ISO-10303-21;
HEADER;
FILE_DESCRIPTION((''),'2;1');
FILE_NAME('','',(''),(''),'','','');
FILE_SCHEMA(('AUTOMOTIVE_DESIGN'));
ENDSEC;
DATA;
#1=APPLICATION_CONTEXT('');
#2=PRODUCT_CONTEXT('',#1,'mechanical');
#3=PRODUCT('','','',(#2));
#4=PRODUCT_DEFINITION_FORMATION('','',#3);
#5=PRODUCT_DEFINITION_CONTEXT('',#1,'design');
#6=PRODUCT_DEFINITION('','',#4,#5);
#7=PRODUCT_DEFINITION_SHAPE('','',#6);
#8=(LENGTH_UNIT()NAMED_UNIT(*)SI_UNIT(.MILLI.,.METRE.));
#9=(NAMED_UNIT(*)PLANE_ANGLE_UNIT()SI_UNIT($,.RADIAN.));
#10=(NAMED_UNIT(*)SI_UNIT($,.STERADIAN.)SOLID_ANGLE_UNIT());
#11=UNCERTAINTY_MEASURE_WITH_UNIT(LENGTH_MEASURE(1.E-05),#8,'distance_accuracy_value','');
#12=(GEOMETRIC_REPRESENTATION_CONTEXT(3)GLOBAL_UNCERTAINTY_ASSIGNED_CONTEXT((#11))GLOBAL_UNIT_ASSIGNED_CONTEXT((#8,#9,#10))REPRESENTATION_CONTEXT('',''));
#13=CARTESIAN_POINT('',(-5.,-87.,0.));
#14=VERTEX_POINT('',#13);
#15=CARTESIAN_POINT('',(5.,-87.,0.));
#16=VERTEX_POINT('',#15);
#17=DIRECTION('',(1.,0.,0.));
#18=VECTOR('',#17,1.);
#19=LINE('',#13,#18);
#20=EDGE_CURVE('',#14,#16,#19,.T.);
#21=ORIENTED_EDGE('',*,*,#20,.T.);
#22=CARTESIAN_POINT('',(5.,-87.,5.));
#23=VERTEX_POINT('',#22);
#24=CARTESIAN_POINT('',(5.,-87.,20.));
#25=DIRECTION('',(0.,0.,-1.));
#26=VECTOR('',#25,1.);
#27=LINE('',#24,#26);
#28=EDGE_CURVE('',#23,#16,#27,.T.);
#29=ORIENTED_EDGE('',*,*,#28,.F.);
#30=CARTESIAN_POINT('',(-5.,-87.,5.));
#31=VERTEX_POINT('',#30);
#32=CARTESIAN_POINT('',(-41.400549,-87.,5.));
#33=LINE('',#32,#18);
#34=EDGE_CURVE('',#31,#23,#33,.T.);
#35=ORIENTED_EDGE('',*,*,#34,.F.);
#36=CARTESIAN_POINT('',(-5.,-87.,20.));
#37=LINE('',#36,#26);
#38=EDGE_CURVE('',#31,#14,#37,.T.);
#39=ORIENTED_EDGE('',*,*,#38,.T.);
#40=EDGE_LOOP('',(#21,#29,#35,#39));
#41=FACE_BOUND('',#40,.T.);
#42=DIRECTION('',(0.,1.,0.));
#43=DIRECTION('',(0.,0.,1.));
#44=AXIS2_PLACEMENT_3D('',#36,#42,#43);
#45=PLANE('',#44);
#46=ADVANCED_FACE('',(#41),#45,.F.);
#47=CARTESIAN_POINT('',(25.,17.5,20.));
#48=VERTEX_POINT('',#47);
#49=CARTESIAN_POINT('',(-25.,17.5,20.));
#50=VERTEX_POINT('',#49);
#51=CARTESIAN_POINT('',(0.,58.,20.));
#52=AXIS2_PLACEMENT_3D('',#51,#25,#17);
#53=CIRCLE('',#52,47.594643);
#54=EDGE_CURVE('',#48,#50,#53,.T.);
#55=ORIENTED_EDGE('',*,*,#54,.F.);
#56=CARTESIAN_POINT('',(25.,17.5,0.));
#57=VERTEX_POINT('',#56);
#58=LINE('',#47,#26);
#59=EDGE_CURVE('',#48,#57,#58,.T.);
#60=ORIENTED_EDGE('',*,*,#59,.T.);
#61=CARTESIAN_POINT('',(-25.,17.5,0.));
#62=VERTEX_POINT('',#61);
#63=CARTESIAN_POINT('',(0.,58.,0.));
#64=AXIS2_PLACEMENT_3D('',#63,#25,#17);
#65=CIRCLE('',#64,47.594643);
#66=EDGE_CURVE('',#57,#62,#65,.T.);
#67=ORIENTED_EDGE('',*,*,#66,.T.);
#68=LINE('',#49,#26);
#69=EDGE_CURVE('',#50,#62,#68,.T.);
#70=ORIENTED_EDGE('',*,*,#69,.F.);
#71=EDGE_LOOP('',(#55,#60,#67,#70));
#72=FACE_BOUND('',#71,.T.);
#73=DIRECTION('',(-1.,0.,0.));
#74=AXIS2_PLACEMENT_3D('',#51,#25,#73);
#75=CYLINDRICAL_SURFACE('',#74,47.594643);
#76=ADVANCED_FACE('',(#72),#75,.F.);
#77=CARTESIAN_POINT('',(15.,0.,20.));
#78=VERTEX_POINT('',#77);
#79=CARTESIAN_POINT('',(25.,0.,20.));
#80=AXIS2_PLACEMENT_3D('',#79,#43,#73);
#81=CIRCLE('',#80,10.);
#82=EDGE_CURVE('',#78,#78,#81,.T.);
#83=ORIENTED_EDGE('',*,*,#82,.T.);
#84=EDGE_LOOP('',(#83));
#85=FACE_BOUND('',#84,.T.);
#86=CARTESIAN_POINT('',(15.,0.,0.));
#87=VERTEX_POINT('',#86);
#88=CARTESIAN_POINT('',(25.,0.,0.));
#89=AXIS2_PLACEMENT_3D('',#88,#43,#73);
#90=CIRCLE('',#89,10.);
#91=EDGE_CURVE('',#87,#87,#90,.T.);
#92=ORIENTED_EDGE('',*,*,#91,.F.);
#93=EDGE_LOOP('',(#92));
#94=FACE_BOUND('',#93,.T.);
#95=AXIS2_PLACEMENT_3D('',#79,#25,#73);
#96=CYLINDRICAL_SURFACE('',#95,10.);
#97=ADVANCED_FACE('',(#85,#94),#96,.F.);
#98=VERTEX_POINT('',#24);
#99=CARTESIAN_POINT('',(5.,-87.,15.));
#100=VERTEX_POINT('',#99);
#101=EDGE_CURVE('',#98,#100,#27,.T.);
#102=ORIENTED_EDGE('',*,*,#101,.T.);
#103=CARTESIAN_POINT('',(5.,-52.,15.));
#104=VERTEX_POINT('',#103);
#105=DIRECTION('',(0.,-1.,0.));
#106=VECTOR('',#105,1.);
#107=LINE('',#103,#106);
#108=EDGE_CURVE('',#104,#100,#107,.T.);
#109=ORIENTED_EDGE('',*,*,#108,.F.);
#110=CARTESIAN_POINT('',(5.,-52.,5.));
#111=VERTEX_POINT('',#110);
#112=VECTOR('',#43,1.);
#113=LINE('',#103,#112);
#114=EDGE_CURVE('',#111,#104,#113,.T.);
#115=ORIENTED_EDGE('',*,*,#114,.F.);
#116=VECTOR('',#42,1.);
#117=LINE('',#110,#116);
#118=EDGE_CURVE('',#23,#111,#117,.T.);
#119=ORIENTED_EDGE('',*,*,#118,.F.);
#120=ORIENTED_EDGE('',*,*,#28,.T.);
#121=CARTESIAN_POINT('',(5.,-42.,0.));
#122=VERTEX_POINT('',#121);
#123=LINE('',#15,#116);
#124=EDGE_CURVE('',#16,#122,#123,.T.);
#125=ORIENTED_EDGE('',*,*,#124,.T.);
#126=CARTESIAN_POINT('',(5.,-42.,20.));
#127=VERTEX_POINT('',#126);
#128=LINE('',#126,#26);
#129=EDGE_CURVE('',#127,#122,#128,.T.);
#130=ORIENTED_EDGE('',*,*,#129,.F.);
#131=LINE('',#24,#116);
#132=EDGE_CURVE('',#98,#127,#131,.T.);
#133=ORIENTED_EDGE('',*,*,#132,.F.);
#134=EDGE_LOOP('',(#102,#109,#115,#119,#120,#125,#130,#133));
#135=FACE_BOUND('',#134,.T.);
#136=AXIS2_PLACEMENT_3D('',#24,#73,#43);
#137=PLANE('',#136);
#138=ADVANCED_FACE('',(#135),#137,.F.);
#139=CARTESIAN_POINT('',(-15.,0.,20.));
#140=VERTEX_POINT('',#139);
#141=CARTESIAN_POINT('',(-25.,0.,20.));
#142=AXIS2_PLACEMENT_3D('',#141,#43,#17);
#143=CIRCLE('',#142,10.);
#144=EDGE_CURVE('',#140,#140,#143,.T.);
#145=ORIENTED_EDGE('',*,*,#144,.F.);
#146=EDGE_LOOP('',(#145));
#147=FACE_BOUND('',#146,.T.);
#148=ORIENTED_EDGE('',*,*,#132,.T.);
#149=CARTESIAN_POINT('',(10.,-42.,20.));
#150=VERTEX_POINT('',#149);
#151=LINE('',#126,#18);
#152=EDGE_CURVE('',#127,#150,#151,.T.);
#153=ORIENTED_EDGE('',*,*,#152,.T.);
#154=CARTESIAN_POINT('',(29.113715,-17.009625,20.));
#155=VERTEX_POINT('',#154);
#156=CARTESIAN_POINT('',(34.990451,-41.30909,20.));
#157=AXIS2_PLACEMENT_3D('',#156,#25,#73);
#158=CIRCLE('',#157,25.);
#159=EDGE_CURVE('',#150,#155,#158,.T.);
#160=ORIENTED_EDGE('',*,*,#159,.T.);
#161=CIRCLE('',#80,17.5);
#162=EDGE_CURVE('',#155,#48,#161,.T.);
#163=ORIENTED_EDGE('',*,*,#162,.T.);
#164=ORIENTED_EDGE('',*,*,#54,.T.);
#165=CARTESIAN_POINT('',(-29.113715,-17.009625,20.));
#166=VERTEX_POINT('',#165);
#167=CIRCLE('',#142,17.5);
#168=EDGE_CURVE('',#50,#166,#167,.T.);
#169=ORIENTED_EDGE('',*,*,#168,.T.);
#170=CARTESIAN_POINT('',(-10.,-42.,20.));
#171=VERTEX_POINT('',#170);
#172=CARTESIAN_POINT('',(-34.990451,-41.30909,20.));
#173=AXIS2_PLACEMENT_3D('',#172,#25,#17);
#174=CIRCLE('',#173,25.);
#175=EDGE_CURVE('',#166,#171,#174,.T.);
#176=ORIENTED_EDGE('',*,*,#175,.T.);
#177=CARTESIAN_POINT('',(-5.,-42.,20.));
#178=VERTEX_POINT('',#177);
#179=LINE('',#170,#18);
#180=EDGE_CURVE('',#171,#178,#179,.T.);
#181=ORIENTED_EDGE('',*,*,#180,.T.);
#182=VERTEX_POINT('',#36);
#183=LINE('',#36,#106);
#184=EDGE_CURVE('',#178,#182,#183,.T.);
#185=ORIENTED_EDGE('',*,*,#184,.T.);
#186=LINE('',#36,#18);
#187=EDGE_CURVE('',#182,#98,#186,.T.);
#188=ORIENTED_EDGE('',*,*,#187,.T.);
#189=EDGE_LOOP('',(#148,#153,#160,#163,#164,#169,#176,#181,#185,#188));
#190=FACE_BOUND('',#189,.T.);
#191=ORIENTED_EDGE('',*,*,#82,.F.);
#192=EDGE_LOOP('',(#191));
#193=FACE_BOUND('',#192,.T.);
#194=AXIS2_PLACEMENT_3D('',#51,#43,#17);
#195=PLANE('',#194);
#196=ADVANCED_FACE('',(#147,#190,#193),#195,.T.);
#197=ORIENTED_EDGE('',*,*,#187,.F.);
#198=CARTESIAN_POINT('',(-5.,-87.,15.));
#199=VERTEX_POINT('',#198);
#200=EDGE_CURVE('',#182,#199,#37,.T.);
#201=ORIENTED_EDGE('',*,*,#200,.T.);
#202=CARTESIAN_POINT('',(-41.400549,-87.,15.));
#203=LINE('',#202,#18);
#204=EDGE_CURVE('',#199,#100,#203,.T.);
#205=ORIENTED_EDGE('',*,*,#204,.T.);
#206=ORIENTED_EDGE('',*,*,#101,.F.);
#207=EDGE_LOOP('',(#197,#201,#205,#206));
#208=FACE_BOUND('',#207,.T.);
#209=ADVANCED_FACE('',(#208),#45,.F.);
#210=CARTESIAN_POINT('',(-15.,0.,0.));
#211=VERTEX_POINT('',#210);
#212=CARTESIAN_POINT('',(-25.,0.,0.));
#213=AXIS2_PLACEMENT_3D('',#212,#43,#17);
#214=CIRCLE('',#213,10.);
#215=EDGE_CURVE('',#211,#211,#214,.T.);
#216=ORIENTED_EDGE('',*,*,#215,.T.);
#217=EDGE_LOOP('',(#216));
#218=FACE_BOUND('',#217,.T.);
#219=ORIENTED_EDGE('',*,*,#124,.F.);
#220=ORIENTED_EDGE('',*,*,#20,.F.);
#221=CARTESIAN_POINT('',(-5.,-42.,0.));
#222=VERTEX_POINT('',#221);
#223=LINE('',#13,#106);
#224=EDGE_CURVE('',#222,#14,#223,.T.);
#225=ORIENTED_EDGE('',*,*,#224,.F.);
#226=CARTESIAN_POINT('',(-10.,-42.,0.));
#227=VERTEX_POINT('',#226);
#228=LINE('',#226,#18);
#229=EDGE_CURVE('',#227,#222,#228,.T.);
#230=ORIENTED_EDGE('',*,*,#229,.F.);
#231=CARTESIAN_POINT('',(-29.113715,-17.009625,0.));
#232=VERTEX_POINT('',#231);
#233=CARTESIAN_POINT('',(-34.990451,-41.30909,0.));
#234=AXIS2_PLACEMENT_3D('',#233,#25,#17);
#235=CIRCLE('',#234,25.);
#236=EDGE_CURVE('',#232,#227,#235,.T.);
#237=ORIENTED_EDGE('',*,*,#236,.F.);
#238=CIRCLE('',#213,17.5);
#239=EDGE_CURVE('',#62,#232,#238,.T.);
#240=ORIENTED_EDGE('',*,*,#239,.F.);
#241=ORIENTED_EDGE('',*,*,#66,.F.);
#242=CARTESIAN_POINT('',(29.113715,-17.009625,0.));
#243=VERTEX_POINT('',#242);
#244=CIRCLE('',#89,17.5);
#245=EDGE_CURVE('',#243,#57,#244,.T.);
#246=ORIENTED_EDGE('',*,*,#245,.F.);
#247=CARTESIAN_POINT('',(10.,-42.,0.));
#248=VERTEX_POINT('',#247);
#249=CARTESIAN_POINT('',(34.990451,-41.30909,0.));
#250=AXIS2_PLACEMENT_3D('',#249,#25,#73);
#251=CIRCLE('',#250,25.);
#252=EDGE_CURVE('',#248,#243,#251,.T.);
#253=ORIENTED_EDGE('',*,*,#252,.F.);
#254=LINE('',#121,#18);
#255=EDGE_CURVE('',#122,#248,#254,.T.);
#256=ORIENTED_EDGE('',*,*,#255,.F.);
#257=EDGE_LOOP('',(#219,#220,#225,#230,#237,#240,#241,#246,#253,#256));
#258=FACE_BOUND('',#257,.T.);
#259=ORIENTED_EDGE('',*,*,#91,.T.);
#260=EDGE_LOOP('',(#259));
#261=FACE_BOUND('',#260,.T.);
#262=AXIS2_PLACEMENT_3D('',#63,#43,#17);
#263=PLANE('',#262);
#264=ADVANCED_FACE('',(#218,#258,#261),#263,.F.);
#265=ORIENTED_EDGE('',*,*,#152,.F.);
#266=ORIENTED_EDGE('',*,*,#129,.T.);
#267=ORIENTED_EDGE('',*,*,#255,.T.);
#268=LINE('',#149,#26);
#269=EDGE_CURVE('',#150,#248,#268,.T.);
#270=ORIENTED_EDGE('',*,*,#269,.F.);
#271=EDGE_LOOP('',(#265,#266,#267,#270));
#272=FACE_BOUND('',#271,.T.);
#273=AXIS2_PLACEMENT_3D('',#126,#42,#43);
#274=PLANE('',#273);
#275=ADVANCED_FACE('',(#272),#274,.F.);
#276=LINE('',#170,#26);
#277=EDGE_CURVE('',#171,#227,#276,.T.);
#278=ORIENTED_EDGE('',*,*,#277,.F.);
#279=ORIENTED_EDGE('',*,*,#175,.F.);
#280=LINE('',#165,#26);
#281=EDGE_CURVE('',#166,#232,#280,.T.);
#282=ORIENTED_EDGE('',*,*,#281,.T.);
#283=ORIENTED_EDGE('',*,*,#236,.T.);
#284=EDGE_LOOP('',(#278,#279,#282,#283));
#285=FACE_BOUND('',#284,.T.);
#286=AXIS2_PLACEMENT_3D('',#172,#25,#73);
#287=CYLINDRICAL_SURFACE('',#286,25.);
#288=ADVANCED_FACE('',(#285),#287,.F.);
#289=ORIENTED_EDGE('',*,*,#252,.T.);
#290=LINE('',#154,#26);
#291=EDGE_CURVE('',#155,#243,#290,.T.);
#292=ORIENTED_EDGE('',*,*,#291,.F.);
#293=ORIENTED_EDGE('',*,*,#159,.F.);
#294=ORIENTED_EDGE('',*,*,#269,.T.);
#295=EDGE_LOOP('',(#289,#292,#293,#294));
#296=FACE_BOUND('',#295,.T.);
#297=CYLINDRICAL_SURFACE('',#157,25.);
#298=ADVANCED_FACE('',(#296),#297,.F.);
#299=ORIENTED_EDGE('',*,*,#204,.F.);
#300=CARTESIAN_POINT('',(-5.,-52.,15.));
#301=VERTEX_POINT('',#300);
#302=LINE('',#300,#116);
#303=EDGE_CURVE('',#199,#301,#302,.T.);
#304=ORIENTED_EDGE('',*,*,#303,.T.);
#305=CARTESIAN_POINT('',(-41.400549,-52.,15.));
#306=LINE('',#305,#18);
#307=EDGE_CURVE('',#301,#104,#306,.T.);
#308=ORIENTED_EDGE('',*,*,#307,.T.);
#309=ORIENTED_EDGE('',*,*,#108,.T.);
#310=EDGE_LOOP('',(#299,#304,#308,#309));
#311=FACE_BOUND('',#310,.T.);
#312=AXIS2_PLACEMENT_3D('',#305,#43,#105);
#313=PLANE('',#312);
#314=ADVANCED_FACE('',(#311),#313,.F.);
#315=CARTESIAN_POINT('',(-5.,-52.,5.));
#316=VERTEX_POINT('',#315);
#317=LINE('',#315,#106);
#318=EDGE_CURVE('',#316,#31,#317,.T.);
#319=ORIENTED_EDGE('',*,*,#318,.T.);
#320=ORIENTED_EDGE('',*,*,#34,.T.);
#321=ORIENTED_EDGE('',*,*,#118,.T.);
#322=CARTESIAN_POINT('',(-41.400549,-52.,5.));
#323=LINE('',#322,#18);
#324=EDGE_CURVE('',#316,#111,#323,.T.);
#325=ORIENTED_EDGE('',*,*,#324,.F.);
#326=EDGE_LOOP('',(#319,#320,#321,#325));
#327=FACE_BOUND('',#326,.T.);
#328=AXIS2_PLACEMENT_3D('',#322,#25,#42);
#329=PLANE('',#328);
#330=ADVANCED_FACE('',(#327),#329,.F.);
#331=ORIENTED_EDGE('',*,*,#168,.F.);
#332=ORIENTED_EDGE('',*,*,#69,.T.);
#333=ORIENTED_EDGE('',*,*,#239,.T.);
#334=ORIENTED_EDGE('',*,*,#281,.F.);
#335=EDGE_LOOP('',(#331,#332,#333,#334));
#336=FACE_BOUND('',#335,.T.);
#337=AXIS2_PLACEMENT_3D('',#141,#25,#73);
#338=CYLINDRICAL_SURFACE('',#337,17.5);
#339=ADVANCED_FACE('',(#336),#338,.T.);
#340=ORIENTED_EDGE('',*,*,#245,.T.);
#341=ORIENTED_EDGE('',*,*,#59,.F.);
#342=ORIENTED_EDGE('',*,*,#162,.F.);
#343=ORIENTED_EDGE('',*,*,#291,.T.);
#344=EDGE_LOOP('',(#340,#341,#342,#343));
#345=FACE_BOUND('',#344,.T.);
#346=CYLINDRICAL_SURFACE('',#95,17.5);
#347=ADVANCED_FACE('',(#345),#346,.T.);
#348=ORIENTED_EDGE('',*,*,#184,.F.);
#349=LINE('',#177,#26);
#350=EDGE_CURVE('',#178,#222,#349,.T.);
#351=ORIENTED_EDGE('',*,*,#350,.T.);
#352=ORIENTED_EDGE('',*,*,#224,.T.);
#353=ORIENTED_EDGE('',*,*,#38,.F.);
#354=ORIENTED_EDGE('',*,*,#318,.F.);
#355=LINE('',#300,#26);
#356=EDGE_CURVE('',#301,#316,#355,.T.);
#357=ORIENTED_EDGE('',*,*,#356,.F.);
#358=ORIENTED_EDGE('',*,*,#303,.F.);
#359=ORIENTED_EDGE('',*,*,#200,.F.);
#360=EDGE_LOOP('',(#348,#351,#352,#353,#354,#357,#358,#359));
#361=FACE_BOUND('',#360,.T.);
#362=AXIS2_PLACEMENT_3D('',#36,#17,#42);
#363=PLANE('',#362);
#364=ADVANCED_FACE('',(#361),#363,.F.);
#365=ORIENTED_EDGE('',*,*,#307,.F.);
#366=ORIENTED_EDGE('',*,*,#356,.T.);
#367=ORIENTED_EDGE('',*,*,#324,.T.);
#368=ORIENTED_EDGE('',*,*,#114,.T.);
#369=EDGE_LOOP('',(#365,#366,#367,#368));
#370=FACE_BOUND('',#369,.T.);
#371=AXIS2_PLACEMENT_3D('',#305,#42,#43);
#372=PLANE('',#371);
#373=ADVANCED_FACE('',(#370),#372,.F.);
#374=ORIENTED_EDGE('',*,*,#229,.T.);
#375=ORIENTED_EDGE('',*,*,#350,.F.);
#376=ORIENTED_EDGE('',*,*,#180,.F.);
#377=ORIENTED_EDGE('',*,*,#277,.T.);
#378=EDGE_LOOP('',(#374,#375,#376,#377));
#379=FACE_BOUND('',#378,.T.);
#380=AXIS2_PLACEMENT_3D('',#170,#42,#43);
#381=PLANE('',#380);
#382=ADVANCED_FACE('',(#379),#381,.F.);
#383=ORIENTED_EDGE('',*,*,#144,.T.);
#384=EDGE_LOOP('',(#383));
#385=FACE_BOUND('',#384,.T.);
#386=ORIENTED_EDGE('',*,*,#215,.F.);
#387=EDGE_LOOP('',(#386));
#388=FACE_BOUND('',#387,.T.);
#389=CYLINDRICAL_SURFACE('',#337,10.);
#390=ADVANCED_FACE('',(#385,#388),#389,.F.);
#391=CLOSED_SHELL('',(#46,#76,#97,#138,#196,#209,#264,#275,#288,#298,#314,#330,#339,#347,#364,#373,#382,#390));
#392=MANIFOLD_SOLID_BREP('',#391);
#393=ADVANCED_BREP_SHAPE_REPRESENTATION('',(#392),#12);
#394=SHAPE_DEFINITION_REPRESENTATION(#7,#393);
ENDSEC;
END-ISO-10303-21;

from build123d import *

# Parameters (mm, degrees)
SKETCH1_R           = 10
BOSS_EXTRUDE1_DEPTH = 20
SKETCH2_W           = 10
SKETCH2_H           = 35
CUT_EXTRUDE1_DEPTH  = 10


with BuildPart() as part:
    # Sketch1 → Boss-Extrude1 (new body)
    with BuildSketch(Plane.XY):
        with BuildLine():
            Line((5, -42), (10, -42))
            ThreePointArc((10, -42), (15.132819854, -26.12111797), (29.113715132, -17.009625152))
            ThreePointArc((29.113715132, -17.009625152), (42.376973847, 2.071419783), (25, 17.5))
            ThreePointArc((25, 17.5), (0, 10.405357444), (-25, 17.5))
            ThreePointArc((-25, 17.5), (-42.376973847, 2.071419783), (-29.113715132, -17.009625152))
            ThreePointArc((-29.113715132, -17.009625152), (-15.132819854, -26.12111797), (-10, -42))
            Line((-10, -42), (-5, -42))
            Line((-5, -42), (-5, -87))
            Line((-5, -87), (5, -87))
            Line((5, -87), (5, -42))
        make_face()
        with Locations((-25, 0)):
            Circle(SKETCH1_R, mode=Mode.SUBTRACT)
        with Locations(Location((25, 0, 0), (0, 0, 180))):
            Circle(SKETCH1_R, mode=Mode.SUBTRACT)
    extrude(amount=BOSS_EXTRUDE1_DEPTH)

    # Sketch2 → Cut-Extrude1 (cut)
    with BuildSketch(Plane(origin=(5, 0, 0), x_dir=(0, 0, -1), z_dir=(1, 0, 0))):
        with Locations((-10, -69.5)):
            Rectangle(SKETCH2_W, SKETCH2_H)
    extrude(amount=-CUT_EXTRUDE1_DEPTH, mode=Mode.SUBTRACT)


solid = part.part
